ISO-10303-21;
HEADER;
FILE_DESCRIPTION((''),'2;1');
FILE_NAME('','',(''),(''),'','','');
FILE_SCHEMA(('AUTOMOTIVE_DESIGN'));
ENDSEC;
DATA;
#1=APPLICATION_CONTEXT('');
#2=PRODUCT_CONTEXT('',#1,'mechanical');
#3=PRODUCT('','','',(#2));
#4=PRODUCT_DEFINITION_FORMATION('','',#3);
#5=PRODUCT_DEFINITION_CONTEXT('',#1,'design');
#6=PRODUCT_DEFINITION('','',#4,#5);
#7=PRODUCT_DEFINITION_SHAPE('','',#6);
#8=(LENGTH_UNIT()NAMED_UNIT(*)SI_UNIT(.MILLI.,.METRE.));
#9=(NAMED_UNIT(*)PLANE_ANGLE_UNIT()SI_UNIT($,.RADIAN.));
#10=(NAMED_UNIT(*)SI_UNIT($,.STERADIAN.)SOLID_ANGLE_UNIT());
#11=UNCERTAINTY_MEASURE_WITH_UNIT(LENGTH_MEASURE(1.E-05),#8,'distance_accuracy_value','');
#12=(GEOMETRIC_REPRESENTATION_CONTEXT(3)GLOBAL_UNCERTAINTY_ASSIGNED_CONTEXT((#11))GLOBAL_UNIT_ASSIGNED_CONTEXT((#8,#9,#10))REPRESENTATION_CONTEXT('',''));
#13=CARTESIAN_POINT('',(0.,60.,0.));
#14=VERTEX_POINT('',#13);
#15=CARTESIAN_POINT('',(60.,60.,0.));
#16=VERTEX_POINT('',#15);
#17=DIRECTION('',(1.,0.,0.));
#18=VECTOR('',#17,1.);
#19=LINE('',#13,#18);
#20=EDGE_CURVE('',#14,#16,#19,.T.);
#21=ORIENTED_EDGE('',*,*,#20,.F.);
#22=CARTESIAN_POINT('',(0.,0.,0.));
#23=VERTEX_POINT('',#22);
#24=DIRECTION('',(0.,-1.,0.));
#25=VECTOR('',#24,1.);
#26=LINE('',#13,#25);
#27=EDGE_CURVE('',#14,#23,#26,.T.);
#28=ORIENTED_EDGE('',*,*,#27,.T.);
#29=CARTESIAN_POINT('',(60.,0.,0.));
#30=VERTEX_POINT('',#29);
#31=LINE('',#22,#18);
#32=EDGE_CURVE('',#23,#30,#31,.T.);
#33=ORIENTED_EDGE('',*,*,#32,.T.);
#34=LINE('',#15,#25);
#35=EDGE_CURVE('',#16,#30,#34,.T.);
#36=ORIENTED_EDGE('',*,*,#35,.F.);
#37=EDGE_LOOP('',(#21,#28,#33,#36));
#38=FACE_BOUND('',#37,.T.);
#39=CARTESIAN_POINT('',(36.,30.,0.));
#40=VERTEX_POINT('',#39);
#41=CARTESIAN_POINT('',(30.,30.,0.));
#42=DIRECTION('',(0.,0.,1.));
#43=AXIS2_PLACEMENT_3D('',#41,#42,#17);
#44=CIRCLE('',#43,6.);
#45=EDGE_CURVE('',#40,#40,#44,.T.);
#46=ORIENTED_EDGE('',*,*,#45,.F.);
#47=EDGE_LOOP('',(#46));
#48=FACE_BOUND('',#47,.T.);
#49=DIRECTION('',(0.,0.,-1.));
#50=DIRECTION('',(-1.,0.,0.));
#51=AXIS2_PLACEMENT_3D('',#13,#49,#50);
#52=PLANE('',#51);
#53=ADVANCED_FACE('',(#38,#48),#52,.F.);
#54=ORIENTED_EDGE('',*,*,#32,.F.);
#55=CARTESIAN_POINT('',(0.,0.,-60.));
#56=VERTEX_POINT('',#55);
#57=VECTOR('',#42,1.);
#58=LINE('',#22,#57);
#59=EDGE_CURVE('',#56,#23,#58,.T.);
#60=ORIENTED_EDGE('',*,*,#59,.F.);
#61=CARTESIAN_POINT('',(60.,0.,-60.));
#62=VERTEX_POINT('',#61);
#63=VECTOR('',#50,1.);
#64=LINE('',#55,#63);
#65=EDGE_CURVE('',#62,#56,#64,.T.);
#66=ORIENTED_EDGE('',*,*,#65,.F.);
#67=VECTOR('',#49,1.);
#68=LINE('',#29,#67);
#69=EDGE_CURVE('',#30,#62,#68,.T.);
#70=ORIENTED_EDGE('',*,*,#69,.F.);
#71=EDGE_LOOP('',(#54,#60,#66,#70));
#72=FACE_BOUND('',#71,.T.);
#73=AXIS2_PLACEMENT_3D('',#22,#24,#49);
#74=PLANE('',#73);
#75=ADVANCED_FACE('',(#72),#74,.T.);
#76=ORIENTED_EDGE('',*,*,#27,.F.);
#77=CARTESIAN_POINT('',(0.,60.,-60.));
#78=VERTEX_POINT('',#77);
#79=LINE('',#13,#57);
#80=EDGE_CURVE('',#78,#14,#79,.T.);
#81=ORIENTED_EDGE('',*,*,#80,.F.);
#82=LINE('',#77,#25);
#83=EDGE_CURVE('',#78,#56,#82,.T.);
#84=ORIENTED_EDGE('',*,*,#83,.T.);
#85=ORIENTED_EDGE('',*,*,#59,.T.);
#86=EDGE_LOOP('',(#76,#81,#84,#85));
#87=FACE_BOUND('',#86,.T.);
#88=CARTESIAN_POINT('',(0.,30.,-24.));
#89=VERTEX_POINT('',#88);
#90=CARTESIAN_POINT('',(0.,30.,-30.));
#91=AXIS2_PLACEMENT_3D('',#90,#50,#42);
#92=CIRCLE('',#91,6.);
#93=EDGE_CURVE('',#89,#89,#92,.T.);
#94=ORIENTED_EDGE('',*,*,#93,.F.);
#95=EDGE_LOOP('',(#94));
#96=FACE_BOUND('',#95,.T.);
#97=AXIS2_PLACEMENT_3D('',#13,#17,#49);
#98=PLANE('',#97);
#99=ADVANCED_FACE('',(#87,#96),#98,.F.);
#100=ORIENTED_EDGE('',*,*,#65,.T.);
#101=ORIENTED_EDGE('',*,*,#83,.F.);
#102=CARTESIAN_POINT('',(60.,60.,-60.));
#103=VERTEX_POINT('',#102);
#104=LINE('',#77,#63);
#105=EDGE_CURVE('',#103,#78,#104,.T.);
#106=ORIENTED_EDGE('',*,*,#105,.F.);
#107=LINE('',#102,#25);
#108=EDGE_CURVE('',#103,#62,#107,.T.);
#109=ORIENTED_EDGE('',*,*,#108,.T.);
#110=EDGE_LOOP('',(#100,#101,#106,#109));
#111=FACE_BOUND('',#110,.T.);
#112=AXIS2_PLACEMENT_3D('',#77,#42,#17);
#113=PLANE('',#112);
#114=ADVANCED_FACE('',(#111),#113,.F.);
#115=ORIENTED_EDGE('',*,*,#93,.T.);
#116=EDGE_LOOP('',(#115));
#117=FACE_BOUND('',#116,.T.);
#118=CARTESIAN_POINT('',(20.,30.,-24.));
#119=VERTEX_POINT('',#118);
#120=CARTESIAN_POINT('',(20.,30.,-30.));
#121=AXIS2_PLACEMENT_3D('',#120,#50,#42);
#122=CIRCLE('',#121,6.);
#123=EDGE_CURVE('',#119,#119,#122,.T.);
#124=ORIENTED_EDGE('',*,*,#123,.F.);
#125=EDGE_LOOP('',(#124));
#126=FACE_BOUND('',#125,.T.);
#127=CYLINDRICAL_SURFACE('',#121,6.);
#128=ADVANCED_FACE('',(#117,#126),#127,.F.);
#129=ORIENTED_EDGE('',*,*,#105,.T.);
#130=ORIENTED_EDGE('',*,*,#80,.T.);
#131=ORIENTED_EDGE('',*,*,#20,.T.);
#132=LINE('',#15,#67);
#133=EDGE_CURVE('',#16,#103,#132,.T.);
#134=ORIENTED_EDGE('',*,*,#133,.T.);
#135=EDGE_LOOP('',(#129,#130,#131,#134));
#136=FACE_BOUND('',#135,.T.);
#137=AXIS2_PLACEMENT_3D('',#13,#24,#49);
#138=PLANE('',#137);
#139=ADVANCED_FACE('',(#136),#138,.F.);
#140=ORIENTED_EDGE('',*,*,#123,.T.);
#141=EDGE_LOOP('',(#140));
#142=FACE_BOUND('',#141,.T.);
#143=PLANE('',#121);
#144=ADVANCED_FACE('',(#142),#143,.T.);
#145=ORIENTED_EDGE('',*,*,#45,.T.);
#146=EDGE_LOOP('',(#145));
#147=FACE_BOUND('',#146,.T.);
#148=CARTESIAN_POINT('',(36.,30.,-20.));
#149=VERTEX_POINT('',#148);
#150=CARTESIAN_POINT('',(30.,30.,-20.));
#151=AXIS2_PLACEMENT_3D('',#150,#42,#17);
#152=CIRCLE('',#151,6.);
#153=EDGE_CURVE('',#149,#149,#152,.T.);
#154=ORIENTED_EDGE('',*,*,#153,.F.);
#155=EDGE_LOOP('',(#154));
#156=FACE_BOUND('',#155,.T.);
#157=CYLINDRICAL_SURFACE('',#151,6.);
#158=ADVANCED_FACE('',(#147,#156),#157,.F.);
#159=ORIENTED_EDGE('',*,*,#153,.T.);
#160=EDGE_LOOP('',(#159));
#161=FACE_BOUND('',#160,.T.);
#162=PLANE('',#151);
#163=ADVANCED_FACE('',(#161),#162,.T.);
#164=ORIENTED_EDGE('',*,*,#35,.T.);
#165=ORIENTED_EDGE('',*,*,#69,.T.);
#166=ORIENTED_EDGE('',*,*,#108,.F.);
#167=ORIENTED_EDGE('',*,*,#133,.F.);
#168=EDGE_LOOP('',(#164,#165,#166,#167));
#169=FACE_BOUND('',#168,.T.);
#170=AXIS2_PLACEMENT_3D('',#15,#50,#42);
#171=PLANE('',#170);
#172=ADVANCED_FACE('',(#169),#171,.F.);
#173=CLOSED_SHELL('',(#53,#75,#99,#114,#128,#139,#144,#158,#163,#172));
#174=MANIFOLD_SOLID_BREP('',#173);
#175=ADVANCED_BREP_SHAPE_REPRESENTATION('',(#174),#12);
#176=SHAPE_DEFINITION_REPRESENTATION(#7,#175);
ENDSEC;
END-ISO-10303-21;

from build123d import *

# Parameters (mm, degrees)
ESQUISSE1_W             = 60
ESQUISSE1_H             = 60
BOSS_EXTRU_1_DEPTH      = 60
ESQUISSE2_R             = 6
ENL_V_MAT_EXTRU_1_DEPTH = 20
ESQUISSE3_R             = 6
ENL_V_MAT_EXTRU_2_DEPTH = 20


with BuildPart() as part:
    # Esquisse1 → Boss.-Extru.1 (new body)
    with BuildSketch(Plane(origin=(0, 0, 0), x_dir=(1, 0, 0), z_dir=(0, 1, 0))):
        with Locations((30, 30)):
            Rectangle(ESQUISSE1_W, ESQUISSE1_H)
    extrude(amount=BOSS_EXTRU_1_DEPTH)

    # Esquisse2 → Enlèv. mat.-Extru.1 (cut)
    with BuildSketch(Plane.XY):
        with Locations((30, 30)):
            Circle(ESQUISSE2_R)
    extrude(amount=-ENL_V_MAT_EXTRU_1_DEPTH, mode=Mode.SUBTRACT)

    # Esquisse3 → Enlèv. mat.-Extru.2 (cut)
    with BuildSketch(Plane.ZY):
        with Locations((-30, 30)):
            Circle(ESQUISSE3_R)
    extrude(amount=-ENL_V_MAT_EXTRU_2_DEPTH, mode=Mode.SUBTRACT)


solid = part.part
